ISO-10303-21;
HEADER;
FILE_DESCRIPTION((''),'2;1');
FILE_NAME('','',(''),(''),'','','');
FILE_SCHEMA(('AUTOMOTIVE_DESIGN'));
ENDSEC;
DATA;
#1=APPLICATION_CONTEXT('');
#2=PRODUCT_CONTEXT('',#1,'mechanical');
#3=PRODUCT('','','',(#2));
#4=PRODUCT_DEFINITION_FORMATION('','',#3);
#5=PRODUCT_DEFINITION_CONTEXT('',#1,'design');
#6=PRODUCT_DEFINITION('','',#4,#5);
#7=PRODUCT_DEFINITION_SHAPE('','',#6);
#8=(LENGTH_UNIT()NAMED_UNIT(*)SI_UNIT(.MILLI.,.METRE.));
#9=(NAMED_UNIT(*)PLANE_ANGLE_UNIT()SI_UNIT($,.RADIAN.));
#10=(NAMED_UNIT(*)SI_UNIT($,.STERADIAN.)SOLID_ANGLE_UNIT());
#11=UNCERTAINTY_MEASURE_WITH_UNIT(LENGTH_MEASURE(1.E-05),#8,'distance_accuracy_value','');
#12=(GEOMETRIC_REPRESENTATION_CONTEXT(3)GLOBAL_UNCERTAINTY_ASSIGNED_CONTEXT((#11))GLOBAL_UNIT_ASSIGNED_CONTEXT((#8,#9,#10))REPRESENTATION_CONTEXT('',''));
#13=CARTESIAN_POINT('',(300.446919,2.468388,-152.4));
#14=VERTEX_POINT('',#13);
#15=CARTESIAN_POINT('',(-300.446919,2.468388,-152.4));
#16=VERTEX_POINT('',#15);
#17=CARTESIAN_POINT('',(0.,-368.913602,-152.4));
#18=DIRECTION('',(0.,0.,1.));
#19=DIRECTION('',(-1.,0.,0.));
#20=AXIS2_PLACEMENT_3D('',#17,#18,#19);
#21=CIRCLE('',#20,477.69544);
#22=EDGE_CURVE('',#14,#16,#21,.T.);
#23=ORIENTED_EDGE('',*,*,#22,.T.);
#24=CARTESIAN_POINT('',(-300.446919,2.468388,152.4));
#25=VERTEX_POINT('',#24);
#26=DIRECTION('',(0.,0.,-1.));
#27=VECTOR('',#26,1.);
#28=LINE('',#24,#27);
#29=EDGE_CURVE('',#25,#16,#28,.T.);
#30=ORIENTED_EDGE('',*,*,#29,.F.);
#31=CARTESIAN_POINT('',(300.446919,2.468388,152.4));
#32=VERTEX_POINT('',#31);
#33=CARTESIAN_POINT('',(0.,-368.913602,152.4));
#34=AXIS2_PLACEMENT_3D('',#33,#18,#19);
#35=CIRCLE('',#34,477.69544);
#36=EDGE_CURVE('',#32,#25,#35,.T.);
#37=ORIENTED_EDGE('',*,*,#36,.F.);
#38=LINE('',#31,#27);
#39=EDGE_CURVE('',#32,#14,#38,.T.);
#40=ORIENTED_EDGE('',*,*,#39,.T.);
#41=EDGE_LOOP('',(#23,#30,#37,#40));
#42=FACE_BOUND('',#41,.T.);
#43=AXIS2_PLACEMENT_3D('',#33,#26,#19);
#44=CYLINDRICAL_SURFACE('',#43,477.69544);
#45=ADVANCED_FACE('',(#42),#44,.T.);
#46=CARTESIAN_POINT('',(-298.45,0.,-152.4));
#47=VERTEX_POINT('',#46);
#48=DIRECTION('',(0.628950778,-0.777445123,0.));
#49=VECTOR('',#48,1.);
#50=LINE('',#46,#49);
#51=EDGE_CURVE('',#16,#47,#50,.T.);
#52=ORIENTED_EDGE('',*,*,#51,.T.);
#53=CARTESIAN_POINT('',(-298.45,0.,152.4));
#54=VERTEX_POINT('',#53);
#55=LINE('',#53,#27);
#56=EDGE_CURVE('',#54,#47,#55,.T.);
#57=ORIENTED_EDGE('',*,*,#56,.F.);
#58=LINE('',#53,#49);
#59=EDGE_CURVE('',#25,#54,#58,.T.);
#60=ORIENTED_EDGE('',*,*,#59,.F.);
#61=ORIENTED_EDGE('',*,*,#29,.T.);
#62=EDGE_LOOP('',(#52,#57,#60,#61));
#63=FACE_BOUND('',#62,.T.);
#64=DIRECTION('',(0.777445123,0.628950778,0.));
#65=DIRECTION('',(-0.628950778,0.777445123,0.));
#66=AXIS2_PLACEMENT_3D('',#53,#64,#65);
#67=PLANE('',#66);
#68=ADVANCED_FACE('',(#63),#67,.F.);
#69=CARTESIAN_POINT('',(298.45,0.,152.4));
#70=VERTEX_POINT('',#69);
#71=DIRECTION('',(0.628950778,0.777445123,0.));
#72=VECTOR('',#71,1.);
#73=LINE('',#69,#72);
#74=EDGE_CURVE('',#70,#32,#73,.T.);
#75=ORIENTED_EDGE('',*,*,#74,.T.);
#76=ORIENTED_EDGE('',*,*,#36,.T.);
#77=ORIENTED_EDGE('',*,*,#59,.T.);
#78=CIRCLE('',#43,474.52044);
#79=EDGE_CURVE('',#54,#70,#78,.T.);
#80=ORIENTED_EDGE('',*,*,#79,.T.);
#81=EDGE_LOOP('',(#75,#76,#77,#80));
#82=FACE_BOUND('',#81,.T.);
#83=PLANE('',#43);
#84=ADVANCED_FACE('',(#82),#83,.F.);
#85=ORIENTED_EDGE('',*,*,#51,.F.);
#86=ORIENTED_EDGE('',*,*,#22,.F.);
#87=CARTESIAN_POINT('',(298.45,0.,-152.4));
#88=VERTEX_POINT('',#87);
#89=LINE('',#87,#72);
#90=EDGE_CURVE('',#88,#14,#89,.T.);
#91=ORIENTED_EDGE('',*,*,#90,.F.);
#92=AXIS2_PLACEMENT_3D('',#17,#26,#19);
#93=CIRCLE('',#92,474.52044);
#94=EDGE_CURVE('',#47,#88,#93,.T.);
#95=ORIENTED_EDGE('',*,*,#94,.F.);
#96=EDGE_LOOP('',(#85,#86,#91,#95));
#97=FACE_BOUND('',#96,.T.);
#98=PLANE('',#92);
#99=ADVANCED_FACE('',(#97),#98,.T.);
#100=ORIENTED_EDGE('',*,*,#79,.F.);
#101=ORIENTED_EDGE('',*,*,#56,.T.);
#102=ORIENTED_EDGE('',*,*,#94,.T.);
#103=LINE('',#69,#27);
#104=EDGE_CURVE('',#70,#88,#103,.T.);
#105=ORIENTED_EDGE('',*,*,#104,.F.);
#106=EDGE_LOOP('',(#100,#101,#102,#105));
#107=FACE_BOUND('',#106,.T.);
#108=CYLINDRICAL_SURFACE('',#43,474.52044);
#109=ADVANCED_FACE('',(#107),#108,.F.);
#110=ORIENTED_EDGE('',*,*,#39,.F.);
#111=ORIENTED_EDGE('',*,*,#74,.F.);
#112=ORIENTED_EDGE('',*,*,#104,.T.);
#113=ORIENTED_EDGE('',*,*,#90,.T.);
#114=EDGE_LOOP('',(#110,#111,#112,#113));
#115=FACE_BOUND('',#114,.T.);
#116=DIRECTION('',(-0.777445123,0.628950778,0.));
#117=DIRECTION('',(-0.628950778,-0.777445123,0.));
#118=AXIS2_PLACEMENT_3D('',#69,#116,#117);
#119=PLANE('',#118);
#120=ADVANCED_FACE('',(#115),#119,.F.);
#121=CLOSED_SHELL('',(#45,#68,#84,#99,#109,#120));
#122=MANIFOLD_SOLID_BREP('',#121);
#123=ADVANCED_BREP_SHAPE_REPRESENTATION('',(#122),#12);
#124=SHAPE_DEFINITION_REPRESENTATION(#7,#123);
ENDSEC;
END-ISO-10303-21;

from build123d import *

# Parameters (mm, degrees)
BOSS_EXTRUDE1_DEPTH = 152.4


with BuildPart() as part:
    # Sketch1 → Boss-Extrude1 (new body, symmetric)
    with BuildSketch(Plane.XY):
        with BuildLine():
            Line((-298.45, 0), (-300.44691872, 2.468388265))
            ThreePointArc((-300.44691872, 2.468388265), (0, 108.781838287), (300.44691872, 2.468388265))
            Line((300.44691872, 2.468388265), (298.45, 0))
            ThreePointArc((298.45, 0), (0, 105.606838287), (-298.45, 0))
        make_face()
    extrude(amount=BOSS_EXTRUDE1_DEPTH, both=True)


solid = part.part
